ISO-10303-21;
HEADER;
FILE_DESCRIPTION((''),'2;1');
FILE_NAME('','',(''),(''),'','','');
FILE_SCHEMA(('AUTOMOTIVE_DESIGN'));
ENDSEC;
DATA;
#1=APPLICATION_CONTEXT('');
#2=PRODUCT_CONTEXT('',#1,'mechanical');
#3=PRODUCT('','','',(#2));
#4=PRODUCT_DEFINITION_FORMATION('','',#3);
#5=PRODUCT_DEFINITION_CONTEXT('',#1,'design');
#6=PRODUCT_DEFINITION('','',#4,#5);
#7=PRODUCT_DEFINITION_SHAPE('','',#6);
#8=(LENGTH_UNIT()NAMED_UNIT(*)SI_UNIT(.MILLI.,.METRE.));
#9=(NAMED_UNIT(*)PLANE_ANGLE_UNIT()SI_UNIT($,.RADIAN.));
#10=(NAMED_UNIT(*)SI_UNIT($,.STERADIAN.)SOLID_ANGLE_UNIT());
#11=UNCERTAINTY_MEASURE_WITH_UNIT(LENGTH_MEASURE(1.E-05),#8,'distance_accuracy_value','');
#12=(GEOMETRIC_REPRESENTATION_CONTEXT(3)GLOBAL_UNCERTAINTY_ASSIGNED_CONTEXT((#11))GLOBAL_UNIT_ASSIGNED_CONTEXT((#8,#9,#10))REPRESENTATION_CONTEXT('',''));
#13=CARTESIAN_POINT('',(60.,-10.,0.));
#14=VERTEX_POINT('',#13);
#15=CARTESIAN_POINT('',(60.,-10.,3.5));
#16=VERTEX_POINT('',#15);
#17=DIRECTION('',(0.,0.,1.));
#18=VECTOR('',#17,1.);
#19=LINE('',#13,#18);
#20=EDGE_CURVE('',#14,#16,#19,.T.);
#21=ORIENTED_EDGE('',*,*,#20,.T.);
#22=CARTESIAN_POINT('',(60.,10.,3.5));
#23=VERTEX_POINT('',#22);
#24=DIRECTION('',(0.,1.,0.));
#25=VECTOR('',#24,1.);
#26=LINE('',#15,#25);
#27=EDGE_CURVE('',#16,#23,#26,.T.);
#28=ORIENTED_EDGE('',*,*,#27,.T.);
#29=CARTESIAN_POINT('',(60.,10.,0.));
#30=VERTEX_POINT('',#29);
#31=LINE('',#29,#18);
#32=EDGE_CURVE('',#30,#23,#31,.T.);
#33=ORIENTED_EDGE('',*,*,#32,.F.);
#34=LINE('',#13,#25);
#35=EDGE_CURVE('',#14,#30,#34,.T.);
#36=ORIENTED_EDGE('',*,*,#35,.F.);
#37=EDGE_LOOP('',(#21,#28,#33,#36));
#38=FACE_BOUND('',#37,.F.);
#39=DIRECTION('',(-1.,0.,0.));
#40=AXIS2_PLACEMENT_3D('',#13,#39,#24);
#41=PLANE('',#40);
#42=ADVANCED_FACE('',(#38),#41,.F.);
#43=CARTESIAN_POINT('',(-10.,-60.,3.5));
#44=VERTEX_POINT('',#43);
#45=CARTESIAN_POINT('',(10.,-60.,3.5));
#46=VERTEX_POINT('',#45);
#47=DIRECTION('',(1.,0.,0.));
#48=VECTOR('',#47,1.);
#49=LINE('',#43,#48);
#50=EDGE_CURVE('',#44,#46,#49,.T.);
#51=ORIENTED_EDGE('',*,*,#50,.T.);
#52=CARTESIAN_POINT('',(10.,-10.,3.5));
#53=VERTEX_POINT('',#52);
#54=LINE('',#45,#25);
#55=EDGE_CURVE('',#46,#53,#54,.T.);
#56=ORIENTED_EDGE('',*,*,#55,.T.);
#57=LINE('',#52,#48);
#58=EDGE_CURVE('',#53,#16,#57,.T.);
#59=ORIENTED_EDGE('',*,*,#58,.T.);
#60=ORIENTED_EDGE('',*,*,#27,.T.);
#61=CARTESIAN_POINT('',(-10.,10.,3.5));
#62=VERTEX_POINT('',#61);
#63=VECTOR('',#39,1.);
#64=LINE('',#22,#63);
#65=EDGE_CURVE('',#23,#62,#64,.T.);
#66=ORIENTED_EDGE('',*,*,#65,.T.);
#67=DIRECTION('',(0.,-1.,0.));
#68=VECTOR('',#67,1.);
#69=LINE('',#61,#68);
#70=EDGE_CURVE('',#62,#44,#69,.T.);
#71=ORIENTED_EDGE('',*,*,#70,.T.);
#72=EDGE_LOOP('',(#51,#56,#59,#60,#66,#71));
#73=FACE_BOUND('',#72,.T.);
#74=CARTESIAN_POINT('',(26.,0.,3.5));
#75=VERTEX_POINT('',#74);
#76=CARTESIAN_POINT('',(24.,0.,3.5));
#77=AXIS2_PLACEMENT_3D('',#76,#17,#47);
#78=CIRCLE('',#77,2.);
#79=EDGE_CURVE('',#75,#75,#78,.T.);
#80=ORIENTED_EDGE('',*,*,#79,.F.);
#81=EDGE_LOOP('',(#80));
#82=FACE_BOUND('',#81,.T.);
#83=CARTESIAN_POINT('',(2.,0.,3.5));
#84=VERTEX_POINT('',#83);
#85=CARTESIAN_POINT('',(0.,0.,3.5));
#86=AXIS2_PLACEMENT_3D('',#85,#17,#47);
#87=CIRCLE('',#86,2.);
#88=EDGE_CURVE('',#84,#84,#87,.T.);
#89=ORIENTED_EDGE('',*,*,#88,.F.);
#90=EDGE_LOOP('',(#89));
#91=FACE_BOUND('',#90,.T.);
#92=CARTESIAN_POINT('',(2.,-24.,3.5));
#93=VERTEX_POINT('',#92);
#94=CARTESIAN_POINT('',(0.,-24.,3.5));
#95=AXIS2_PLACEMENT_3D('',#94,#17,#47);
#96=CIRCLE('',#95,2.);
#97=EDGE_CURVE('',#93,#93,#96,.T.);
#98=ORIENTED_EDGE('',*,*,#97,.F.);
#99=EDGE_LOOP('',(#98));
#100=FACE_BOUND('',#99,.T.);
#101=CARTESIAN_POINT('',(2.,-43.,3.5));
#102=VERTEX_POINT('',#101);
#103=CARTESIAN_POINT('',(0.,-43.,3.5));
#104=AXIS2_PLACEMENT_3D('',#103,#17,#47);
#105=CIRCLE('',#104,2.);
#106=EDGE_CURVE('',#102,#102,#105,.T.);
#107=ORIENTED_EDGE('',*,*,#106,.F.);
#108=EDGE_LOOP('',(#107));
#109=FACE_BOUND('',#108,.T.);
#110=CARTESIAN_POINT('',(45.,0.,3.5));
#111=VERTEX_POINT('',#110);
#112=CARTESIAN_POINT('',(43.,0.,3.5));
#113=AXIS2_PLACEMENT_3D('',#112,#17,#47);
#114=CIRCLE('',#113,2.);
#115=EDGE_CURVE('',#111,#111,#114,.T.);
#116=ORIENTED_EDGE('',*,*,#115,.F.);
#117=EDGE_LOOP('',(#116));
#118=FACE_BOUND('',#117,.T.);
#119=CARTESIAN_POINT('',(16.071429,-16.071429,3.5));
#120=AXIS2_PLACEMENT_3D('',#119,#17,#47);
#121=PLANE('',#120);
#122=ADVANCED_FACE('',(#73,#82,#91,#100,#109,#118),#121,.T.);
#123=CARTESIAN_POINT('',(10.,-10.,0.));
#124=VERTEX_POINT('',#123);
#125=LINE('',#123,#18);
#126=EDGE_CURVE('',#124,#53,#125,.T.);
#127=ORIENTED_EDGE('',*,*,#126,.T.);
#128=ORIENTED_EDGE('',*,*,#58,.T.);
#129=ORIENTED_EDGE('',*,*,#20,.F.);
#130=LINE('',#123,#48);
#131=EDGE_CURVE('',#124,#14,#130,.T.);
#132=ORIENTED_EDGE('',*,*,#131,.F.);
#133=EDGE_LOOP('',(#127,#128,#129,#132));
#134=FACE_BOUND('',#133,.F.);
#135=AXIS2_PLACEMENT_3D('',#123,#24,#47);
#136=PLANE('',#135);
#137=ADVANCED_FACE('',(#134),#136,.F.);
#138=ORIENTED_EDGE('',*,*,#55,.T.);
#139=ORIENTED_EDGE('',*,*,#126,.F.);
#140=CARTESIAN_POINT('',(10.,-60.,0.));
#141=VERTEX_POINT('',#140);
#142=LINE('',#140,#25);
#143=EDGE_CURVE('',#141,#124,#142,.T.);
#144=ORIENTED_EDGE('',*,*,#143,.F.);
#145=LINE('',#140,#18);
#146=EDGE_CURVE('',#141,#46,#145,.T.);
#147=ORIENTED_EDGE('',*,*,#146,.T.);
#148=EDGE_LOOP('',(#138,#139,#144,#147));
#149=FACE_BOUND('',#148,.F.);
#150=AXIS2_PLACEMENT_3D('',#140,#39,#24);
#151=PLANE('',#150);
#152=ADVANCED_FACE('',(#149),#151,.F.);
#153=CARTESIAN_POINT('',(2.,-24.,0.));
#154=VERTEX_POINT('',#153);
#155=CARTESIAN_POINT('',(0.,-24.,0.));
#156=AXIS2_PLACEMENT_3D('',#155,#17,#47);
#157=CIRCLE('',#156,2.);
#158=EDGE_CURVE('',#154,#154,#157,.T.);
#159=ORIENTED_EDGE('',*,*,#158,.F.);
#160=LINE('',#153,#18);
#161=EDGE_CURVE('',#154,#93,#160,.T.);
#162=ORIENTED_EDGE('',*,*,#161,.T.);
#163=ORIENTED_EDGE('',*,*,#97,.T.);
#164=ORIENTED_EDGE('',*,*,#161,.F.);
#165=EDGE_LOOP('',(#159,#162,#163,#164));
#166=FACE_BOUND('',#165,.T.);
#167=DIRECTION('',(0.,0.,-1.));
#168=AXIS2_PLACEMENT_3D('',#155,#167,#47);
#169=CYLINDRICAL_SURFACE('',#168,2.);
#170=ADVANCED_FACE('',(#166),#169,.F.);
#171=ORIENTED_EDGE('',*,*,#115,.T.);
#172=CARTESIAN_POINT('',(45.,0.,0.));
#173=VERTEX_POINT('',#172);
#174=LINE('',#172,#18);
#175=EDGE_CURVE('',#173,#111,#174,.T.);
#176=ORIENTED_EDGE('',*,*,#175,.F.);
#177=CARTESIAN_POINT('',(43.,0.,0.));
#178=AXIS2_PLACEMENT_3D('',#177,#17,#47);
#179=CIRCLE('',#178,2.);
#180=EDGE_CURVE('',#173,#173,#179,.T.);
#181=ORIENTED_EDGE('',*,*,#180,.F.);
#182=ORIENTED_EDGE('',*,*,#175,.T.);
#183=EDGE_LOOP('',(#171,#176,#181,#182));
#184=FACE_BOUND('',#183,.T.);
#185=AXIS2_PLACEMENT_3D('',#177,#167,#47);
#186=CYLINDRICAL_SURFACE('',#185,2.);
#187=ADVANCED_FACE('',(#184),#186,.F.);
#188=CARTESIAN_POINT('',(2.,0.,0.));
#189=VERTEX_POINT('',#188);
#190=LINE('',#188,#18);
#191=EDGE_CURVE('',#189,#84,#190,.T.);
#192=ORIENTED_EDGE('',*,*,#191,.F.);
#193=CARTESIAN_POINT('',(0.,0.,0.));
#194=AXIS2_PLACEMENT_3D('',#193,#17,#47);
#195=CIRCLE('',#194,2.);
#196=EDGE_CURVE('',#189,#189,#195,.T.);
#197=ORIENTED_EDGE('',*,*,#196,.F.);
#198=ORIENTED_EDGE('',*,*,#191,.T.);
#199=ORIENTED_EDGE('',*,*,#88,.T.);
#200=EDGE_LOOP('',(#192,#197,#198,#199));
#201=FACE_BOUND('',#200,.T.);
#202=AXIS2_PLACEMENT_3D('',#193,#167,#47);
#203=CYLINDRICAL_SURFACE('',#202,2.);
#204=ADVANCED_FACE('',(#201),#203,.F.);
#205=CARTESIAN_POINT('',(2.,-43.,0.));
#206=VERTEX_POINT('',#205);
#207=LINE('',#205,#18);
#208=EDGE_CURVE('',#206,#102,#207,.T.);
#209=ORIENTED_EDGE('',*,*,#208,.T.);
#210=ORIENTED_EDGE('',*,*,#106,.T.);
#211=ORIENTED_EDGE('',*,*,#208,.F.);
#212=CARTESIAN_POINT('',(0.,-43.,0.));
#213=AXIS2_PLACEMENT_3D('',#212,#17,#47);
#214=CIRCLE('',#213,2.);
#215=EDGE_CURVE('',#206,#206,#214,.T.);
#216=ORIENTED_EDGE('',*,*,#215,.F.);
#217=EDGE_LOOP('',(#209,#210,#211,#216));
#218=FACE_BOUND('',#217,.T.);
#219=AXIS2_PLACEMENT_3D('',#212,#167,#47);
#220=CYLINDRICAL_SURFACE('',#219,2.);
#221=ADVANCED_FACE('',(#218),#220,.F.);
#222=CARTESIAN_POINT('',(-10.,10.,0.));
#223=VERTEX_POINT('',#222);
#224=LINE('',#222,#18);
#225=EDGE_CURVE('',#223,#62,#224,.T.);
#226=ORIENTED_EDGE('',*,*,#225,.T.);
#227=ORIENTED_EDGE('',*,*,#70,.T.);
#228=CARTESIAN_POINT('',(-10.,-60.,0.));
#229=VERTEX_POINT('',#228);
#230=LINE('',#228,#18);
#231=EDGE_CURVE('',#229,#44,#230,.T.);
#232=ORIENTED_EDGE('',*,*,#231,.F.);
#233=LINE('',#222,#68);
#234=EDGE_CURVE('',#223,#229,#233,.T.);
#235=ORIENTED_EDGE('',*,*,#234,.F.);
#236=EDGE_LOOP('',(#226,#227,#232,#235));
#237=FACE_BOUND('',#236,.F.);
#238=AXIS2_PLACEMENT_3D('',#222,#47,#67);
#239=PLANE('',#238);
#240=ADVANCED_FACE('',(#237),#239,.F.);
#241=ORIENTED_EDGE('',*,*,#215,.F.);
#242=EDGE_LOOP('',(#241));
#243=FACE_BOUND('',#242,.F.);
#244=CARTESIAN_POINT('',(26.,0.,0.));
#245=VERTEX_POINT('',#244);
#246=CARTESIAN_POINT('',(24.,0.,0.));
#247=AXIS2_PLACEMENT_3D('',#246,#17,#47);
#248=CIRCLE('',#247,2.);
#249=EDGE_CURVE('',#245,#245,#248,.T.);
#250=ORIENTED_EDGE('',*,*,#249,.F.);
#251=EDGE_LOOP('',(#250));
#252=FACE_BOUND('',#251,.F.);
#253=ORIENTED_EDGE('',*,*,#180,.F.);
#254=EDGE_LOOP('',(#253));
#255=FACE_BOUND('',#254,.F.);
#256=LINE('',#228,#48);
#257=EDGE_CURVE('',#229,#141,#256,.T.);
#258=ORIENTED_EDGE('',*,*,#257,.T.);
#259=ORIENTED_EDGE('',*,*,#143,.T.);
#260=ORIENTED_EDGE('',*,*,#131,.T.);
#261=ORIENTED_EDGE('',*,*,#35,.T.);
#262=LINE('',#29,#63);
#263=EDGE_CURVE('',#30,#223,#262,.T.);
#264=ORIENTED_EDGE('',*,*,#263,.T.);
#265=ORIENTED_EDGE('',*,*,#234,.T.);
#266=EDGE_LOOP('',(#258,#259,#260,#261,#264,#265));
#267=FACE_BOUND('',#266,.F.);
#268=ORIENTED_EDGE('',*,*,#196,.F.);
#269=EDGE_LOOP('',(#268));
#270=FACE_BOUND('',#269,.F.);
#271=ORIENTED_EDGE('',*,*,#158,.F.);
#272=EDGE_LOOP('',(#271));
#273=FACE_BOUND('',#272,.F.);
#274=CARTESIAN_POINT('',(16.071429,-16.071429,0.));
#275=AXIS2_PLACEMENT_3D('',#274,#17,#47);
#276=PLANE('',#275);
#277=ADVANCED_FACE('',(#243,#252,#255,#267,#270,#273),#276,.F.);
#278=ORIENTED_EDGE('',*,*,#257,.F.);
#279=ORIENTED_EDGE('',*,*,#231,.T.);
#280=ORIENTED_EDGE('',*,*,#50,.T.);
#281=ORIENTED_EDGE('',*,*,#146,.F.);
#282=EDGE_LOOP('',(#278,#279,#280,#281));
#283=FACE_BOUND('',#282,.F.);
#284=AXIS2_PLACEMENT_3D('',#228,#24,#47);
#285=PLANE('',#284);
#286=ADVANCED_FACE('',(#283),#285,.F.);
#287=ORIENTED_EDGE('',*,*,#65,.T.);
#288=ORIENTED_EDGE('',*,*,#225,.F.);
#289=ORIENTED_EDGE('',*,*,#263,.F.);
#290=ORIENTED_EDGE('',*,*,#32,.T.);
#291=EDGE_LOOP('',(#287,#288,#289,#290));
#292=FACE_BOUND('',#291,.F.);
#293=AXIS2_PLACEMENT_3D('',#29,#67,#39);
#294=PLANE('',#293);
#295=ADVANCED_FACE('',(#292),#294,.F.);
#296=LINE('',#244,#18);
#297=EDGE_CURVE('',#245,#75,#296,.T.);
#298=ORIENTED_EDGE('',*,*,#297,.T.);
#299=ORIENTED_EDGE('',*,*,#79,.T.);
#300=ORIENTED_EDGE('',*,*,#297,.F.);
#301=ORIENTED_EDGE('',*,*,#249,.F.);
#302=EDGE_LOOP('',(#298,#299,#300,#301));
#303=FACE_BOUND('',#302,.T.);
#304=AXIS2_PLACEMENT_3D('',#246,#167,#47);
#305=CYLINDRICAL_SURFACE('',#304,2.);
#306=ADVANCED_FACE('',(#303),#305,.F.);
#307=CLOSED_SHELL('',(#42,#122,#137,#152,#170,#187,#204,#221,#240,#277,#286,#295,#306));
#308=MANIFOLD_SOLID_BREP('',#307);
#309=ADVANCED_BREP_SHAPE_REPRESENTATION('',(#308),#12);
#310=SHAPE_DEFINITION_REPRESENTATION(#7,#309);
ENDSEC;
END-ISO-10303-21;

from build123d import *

# Parameters (mm, degrees)
F0_R     = 2
F1_DEPTH = 3.5


with BuildPart() as f1:
    # F0 (on Top) → F1 (new body)
    with BuildSketch(Plane.XY):
        Polygon((-10, -10), (-10, -60), (10, -60), (10, -10), (60, -10), (60, 10), (10, 10), (-10, 10), align=None)
        with Locations((0, -43)):
            Circle(F0_R, mode=Mode.SUBTRACT)
        with Locations((0, -24)):
            Circle(F0_R, mode=Mode.SUBTRACT)
        Circle(F0_R, mode=Mode.SUBTRACT)
        with Locations((24, 0)):
            Circle(F0_R, mode=Mode.SUBTRACT)
        with Locations((43, 0)):
            Circle(F0_R, mode=Mode.SUBTRACT)
    extrude(amount=F1_DEPTH)


solid = f1.part
